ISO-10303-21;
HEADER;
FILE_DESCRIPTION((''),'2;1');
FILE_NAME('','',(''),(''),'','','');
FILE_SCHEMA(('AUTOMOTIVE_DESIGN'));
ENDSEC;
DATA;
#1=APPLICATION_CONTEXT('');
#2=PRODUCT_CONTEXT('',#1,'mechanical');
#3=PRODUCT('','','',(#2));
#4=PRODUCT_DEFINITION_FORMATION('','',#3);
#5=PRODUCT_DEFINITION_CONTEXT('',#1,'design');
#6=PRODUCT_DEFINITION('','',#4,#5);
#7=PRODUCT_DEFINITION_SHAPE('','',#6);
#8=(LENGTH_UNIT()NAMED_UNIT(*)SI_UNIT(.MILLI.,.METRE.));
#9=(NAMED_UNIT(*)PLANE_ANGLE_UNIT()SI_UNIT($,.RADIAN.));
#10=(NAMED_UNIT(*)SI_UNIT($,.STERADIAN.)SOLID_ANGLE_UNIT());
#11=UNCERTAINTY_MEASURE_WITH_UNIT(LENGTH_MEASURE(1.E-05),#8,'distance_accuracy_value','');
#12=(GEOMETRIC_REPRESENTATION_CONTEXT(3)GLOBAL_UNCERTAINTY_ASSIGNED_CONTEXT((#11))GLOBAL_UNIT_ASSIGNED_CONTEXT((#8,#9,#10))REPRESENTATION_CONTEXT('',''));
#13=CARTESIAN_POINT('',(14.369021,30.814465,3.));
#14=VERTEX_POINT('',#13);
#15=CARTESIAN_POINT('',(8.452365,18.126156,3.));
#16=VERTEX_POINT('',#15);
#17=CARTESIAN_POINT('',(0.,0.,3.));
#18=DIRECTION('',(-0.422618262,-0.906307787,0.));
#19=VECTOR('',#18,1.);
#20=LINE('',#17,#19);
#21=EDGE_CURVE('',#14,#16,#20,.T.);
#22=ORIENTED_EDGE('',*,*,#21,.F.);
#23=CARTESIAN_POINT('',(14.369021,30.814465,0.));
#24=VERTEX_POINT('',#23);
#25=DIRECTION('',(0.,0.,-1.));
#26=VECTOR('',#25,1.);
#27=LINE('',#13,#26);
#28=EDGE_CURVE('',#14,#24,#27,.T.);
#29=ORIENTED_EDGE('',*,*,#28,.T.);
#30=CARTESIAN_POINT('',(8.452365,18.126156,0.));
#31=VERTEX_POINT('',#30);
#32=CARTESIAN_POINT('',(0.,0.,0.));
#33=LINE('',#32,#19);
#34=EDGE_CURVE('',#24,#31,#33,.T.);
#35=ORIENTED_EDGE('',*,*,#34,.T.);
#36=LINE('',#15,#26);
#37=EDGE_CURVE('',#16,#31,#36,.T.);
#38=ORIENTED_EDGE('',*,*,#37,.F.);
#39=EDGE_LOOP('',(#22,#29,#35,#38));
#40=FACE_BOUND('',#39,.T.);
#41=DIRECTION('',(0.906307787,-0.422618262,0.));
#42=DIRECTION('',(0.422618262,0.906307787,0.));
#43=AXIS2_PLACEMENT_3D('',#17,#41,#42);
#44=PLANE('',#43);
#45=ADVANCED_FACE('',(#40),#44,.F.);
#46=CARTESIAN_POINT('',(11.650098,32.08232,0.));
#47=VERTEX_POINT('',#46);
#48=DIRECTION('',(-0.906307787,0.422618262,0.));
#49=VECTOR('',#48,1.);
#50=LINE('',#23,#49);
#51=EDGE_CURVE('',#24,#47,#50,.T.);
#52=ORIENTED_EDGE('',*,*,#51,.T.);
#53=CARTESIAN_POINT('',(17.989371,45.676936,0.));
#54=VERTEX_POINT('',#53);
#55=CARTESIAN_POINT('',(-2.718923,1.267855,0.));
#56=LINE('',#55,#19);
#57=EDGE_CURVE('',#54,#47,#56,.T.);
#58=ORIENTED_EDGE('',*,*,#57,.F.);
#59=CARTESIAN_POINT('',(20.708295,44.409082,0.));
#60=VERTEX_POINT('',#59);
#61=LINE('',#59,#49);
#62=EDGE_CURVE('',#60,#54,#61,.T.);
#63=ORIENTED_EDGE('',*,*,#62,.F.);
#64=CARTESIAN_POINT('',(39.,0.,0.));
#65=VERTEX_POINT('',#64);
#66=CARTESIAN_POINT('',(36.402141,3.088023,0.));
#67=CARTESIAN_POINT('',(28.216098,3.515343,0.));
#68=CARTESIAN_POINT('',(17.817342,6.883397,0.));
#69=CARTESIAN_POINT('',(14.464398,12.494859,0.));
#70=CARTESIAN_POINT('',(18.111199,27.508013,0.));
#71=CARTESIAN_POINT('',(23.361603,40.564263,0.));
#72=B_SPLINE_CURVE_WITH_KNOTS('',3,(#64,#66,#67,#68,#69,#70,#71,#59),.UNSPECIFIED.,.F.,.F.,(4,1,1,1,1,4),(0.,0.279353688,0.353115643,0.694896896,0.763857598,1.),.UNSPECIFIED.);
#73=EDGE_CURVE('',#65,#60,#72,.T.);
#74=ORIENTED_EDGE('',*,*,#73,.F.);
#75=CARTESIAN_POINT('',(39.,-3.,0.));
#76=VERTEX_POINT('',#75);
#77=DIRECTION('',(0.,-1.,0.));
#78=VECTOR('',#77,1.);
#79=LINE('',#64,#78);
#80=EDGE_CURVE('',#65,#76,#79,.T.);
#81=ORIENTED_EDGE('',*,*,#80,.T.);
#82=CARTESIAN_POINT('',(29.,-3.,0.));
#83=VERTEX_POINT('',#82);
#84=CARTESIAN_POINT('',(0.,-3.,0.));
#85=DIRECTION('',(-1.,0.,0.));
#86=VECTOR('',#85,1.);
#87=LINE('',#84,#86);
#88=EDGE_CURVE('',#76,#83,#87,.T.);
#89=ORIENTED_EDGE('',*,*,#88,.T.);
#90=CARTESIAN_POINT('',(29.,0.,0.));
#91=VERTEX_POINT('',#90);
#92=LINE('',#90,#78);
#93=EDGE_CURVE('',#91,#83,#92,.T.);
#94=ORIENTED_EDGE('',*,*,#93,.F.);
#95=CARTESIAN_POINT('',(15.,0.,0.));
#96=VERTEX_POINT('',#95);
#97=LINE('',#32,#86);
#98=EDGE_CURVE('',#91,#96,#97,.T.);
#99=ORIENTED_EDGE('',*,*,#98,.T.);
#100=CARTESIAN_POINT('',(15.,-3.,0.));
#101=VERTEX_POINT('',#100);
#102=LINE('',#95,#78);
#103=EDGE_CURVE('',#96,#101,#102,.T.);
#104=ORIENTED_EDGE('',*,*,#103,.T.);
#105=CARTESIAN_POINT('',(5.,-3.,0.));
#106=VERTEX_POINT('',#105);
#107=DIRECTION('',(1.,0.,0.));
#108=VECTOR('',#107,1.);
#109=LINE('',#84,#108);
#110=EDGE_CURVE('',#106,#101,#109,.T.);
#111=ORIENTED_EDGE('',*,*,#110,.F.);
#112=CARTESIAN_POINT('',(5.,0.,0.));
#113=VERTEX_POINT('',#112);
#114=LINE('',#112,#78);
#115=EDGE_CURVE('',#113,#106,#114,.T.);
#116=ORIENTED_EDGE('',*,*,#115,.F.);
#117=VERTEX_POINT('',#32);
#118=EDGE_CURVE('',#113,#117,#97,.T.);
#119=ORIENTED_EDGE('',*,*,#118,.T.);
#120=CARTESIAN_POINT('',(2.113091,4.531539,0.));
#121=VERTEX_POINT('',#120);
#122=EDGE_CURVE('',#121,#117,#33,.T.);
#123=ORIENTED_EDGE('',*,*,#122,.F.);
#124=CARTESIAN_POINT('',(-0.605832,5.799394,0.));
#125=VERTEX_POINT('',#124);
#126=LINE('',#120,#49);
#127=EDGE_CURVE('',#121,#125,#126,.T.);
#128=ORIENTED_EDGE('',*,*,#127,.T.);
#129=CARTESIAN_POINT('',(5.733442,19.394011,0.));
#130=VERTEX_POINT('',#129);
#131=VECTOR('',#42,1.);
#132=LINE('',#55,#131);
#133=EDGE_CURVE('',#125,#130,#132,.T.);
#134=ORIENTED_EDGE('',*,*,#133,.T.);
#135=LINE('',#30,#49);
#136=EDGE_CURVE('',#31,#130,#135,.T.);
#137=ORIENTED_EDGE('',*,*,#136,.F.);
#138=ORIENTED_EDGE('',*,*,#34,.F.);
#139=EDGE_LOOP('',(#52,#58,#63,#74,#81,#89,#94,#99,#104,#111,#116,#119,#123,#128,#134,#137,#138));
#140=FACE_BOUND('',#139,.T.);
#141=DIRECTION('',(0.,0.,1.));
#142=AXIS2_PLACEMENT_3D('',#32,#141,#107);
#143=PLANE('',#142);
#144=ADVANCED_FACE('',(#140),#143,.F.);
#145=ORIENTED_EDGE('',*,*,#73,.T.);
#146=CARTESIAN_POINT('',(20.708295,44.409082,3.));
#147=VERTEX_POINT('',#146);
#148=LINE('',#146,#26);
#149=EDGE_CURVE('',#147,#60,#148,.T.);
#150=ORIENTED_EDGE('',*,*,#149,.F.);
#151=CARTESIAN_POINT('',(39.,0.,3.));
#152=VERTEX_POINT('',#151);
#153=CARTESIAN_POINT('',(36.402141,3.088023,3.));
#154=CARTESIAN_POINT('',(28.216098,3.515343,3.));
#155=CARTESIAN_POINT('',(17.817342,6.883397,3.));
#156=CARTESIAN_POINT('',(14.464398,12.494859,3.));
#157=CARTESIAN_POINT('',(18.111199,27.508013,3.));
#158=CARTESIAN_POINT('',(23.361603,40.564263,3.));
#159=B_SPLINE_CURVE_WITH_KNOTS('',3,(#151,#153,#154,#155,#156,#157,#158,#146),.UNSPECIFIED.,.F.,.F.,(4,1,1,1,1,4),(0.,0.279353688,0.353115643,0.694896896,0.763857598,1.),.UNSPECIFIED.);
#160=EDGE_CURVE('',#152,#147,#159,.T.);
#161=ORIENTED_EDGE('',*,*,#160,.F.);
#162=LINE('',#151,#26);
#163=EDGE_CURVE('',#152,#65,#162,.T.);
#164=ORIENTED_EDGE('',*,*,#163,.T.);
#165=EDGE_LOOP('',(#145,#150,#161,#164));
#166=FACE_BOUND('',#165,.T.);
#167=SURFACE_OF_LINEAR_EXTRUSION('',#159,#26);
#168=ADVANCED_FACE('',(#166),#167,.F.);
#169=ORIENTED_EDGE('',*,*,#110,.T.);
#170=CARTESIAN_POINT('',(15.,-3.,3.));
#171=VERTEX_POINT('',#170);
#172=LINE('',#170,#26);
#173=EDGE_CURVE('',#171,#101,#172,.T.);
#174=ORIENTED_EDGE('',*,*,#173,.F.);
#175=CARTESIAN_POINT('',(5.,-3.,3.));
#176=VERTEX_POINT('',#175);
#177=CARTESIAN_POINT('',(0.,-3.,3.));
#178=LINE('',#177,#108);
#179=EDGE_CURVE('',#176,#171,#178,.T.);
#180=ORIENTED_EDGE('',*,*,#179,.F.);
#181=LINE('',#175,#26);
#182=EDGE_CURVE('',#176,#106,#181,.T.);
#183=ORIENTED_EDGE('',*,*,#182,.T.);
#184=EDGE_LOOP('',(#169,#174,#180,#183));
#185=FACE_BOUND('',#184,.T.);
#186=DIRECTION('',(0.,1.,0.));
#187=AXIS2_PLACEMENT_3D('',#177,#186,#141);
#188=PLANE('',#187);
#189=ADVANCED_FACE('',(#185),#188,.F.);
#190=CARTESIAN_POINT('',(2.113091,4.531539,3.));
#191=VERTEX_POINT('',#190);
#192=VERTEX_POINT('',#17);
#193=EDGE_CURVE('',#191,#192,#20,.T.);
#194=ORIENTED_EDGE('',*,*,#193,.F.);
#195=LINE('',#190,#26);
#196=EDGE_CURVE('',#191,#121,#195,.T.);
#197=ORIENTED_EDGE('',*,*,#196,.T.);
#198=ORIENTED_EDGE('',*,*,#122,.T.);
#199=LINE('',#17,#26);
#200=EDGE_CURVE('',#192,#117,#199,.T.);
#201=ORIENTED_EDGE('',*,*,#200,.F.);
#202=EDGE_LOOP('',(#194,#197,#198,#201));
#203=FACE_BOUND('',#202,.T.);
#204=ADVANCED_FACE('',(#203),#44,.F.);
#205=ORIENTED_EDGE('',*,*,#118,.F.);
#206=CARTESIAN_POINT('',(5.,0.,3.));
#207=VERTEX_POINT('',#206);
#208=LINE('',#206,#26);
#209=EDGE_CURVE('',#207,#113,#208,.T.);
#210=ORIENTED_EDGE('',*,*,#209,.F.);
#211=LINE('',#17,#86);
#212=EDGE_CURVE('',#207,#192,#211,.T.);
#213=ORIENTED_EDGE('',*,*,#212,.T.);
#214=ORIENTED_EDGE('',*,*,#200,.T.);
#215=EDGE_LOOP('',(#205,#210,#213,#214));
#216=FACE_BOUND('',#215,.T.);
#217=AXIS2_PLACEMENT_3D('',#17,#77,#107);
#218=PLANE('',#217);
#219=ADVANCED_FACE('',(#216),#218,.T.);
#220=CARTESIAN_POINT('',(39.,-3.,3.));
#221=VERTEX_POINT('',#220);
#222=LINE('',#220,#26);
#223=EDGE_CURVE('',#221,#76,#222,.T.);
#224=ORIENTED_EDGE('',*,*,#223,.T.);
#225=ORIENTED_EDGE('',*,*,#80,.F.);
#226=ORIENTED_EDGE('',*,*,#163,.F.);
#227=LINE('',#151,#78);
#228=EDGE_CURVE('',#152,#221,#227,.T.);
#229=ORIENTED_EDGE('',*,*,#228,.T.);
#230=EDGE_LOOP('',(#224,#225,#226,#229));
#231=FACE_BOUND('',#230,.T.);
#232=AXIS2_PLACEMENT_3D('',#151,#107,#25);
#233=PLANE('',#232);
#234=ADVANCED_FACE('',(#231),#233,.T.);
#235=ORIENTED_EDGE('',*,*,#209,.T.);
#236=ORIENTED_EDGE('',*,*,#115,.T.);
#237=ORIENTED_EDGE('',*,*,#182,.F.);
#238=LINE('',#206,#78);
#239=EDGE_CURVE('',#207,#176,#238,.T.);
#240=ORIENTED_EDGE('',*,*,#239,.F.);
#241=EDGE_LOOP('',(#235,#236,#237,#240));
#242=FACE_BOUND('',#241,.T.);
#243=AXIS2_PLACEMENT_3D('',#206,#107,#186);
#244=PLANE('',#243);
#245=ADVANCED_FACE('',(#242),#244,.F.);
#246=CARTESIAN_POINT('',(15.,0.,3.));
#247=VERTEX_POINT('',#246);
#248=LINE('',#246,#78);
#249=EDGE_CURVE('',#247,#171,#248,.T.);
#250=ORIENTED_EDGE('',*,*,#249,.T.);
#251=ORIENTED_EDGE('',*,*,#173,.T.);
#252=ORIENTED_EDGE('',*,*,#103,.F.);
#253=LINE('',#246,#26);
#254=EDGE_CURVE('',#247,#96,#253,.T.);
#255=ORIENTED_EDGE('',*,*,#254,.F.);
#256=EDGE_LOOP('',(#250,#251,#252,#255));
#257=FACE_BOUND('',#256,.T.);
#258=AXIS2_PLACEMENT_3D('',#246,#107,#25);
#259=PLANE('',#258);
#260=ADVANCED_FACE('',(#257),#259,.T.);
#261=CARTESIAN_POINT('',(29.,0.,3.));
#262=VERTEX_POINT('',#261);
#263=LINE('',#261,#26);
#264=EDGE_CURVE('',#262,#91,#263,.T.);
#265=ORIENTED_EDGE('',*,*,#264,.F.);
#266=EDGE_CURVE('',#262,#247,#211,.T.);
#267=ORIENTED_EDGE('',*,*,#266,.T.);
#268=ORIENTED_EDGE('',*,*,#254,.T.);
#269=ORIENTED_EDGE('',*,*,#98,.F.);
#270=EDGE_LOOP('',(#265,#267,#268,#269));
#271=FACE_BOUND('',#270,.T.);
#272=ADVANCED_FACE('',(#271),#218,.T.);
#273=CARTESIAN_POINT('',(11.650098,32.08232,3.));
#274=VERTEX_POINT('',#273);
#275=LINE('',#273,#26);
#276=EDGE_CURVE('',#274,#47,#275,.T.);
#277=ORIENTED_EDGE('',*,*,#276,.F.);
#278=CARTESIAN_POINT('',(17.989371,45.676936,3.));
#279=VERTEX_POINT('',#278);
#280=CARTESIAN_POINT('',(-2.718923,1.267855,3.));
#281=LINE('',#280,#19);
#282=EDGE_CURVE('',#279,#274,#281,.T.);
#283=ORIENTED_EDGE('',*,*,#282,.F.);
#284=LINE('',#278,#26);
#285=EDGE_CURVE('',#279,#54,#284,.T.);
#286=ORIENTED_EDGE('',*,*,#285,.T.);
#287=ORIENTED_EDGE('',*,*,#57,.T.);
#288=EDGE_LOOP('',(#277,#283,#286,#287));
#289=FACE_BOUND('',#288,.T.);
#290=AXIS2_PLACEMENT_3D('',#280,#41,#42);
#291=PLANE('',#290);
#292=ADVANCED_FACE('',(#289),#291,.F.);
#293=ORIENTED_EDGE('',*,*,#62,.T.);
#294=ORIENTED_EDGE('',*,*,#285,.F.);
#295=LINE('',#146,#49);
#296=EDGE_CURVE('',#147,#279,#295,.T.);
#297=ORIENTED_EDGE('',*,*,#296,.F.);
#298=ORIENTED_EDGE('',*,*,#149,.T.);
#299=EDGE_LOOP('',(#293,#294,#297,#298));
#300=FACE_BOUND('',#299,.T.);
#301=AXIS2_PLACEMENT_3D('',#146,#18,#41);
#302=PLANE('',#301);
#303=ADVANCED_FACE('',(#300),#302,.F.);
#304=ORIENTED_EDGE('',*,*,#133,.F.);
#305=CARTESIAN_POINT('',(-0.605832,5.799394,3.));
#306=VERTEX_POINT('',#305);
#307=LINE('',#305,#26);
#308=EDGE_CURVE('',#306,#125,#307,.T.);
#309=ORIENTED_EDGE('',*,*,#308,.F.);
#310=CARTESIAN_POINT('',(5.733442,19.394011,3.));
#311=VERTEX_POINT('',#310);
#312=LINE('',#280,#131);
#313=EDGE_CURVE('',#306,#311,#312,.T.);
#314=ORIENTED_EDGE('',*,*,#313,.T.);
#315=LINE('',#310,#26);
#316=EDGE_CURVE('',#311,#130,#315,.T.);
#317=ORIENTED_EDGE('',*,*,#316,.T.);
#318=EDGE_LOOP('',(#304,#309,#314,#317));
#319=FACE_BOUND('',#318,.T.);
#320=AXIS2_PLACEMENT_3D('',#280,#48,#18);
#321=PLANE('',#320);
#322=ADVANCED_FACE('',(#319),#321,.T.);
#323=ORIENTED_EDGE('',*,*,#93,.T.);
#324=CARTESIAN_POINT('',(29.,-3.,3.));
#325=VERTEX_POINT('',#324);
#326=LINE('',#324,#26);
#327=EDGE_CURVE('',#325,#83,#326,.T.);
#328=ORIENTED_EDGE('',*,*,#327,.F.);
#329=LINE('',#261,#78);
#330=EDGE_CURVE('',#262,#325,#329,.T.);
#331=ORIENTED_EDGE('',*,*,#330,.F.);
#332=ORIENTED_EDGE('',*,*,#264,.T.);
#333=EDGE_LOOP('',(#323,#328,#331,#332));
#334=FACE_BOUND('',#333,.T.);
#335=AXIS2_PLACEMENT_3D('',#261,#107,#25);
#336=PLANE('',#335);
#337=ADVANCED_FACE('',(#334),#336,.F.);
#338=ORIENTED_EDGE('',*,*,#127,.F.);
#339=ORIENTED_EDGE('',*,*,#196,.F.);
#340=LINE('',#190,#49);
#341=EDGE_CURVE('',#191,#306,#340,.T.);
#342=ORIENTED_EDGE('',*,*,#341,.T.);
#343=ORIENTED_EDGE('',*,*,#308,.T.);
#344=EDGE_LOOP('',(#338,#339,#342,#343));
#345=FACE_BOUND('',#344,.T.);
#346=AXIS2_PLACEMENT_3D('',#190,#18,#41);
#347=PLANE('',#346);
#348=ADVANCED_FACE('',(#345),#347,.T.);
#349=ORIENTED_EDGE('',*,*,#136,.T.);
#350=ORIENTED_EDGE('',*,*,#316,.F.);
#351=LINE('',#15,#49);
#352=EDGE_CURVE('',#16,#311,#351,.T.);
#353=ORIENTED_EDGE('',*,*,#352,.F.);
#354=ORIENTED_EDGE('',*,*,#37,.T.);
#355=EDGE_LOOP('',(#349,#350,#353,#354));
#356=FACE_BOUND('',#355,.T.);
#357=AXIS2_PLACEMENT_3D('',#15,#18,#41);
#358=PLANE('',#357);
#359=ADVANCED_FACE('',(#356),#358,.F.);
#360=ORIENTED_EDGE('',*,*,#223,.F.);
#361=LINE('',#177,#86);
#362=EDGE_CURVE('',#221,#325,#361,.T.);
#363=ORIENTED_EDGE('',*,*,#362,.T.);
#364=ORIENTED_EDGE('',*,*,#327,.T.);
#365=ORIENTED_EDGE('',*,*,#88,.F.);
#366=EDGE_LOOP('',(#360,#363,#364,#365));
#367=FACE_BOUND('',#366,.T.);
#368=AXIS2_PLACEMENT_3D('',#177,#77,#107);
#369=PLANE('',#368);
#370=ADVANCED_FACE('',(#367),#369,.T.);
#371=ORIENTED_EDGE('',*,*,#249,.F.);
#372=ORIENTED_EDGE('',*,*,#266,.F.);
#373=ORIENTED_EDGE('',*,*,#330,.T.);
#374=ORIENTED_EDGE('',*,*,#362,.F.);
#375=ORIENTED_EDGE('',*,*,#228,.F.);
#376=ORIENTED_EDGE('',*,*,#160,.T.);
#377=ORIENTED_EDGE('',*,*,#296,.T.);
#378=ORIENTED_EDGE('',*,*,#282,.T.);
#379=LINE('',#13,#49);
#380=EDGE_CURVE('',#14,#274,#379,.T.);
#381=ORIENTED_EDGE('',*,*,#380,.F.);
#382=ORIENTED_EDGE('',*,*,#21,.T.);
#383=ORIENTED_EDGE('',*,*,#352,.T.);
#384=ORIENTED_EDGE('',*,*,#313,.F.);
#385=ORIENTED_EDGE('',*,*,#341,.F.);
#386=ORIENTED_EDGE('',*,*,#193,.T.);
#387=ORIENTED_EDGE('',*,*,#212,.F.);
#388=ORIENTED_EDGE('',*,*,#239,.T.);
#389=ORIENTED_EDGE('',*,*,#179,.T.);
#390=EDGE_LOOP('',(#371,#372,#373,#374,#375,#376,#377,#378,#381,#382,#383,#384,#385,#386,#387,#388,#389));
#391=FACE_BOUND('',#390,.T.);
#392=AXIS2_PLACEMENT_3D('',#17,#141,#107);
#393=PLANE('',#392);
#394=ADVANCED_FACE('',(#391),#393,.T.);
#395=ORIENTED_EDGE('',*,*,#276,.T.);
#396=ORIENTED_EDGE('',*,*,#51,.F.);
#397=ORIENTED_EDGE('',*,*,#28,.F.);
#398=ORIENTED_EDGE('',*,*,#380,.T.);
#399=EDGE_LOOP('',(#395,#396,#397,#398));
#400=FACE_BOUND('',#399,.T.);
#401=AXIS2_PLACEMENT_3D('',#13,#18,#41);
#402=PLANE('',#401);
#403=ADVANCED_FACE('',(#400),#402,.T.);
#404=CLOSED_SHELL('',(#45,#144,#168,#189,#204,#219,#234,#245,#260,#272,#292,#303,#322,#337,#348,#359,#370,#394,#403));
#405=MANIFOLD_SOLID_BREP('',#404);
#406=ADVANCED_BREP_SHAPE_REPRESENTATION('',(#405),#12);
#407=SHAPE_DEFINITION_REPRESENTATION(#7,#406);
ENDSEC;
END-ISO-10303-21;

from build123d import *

# Parameters (mm, degrees)
CROQUIS1_W              = 10
CROQUIS1_H              = 3
SALIENTE_EXTRUIR1_DEPTH = 3


with BuildPart() as part:
    # Croquis1 → Saliente-Extruir1 (new body)
    with BuildSketch(Plane.XY):
        with BuildLine():
            add(Edge.make_bspline(
                [(39, 0), (36.40214132, 3.088022609), (28.216098057, 3.51534273), (17.817341549, 6.883397235), (14.464397514, 12.494859187), (18.111199106, 27.508013375), (23.361602612, 40.564262704), (20.708294825, 44.409081565)],
                knots=[0, 0, 0, 0, 0.279353688, 0.353115643, 0.694896896, 0.763857598, 1, 1, 1, 1], degree=3))
            Line((20.708294825, 44.409081565), (14.369020899, 30.814464759))
            Line((14.369020899, 30.814464759), (8.452365235, 18.126155741))
            Line((8.452365235, 18.126155741), (2.113091309, 4.531538935))
            Line((2.113091309, 4.531538935), (0, 0))
            Line((0, 0), (5, 0))
            Line((5, 0), (15, 0))
            Line((15, 0), (29, 0))
            Line((29, 0), (39, 0))
        make_face()
        Polygon((2.113091309, 4.531538935), (8.452365235, 18.126155741), (5.733441874, 19.394010526), (-0.605832052, 5.79939372), align=None)
        Polygon((14.369020899, 30.814464759), (20.708294825, 44.409081565), (17.989371464, 45.67693635), (11.650097538, 32.082319544), align=None)
        with Locations((10, -1.5)):
            Rectangle(CROQUIS1_W, CROQUIS1_H)
        with Locations((34, -1.5)):
            Rectangle(CROQUIS1_W, CROQUIS1_H)
    extrude(amount=SALIENTE_EXTRUIR1_DEPTH)


solid = part.part
